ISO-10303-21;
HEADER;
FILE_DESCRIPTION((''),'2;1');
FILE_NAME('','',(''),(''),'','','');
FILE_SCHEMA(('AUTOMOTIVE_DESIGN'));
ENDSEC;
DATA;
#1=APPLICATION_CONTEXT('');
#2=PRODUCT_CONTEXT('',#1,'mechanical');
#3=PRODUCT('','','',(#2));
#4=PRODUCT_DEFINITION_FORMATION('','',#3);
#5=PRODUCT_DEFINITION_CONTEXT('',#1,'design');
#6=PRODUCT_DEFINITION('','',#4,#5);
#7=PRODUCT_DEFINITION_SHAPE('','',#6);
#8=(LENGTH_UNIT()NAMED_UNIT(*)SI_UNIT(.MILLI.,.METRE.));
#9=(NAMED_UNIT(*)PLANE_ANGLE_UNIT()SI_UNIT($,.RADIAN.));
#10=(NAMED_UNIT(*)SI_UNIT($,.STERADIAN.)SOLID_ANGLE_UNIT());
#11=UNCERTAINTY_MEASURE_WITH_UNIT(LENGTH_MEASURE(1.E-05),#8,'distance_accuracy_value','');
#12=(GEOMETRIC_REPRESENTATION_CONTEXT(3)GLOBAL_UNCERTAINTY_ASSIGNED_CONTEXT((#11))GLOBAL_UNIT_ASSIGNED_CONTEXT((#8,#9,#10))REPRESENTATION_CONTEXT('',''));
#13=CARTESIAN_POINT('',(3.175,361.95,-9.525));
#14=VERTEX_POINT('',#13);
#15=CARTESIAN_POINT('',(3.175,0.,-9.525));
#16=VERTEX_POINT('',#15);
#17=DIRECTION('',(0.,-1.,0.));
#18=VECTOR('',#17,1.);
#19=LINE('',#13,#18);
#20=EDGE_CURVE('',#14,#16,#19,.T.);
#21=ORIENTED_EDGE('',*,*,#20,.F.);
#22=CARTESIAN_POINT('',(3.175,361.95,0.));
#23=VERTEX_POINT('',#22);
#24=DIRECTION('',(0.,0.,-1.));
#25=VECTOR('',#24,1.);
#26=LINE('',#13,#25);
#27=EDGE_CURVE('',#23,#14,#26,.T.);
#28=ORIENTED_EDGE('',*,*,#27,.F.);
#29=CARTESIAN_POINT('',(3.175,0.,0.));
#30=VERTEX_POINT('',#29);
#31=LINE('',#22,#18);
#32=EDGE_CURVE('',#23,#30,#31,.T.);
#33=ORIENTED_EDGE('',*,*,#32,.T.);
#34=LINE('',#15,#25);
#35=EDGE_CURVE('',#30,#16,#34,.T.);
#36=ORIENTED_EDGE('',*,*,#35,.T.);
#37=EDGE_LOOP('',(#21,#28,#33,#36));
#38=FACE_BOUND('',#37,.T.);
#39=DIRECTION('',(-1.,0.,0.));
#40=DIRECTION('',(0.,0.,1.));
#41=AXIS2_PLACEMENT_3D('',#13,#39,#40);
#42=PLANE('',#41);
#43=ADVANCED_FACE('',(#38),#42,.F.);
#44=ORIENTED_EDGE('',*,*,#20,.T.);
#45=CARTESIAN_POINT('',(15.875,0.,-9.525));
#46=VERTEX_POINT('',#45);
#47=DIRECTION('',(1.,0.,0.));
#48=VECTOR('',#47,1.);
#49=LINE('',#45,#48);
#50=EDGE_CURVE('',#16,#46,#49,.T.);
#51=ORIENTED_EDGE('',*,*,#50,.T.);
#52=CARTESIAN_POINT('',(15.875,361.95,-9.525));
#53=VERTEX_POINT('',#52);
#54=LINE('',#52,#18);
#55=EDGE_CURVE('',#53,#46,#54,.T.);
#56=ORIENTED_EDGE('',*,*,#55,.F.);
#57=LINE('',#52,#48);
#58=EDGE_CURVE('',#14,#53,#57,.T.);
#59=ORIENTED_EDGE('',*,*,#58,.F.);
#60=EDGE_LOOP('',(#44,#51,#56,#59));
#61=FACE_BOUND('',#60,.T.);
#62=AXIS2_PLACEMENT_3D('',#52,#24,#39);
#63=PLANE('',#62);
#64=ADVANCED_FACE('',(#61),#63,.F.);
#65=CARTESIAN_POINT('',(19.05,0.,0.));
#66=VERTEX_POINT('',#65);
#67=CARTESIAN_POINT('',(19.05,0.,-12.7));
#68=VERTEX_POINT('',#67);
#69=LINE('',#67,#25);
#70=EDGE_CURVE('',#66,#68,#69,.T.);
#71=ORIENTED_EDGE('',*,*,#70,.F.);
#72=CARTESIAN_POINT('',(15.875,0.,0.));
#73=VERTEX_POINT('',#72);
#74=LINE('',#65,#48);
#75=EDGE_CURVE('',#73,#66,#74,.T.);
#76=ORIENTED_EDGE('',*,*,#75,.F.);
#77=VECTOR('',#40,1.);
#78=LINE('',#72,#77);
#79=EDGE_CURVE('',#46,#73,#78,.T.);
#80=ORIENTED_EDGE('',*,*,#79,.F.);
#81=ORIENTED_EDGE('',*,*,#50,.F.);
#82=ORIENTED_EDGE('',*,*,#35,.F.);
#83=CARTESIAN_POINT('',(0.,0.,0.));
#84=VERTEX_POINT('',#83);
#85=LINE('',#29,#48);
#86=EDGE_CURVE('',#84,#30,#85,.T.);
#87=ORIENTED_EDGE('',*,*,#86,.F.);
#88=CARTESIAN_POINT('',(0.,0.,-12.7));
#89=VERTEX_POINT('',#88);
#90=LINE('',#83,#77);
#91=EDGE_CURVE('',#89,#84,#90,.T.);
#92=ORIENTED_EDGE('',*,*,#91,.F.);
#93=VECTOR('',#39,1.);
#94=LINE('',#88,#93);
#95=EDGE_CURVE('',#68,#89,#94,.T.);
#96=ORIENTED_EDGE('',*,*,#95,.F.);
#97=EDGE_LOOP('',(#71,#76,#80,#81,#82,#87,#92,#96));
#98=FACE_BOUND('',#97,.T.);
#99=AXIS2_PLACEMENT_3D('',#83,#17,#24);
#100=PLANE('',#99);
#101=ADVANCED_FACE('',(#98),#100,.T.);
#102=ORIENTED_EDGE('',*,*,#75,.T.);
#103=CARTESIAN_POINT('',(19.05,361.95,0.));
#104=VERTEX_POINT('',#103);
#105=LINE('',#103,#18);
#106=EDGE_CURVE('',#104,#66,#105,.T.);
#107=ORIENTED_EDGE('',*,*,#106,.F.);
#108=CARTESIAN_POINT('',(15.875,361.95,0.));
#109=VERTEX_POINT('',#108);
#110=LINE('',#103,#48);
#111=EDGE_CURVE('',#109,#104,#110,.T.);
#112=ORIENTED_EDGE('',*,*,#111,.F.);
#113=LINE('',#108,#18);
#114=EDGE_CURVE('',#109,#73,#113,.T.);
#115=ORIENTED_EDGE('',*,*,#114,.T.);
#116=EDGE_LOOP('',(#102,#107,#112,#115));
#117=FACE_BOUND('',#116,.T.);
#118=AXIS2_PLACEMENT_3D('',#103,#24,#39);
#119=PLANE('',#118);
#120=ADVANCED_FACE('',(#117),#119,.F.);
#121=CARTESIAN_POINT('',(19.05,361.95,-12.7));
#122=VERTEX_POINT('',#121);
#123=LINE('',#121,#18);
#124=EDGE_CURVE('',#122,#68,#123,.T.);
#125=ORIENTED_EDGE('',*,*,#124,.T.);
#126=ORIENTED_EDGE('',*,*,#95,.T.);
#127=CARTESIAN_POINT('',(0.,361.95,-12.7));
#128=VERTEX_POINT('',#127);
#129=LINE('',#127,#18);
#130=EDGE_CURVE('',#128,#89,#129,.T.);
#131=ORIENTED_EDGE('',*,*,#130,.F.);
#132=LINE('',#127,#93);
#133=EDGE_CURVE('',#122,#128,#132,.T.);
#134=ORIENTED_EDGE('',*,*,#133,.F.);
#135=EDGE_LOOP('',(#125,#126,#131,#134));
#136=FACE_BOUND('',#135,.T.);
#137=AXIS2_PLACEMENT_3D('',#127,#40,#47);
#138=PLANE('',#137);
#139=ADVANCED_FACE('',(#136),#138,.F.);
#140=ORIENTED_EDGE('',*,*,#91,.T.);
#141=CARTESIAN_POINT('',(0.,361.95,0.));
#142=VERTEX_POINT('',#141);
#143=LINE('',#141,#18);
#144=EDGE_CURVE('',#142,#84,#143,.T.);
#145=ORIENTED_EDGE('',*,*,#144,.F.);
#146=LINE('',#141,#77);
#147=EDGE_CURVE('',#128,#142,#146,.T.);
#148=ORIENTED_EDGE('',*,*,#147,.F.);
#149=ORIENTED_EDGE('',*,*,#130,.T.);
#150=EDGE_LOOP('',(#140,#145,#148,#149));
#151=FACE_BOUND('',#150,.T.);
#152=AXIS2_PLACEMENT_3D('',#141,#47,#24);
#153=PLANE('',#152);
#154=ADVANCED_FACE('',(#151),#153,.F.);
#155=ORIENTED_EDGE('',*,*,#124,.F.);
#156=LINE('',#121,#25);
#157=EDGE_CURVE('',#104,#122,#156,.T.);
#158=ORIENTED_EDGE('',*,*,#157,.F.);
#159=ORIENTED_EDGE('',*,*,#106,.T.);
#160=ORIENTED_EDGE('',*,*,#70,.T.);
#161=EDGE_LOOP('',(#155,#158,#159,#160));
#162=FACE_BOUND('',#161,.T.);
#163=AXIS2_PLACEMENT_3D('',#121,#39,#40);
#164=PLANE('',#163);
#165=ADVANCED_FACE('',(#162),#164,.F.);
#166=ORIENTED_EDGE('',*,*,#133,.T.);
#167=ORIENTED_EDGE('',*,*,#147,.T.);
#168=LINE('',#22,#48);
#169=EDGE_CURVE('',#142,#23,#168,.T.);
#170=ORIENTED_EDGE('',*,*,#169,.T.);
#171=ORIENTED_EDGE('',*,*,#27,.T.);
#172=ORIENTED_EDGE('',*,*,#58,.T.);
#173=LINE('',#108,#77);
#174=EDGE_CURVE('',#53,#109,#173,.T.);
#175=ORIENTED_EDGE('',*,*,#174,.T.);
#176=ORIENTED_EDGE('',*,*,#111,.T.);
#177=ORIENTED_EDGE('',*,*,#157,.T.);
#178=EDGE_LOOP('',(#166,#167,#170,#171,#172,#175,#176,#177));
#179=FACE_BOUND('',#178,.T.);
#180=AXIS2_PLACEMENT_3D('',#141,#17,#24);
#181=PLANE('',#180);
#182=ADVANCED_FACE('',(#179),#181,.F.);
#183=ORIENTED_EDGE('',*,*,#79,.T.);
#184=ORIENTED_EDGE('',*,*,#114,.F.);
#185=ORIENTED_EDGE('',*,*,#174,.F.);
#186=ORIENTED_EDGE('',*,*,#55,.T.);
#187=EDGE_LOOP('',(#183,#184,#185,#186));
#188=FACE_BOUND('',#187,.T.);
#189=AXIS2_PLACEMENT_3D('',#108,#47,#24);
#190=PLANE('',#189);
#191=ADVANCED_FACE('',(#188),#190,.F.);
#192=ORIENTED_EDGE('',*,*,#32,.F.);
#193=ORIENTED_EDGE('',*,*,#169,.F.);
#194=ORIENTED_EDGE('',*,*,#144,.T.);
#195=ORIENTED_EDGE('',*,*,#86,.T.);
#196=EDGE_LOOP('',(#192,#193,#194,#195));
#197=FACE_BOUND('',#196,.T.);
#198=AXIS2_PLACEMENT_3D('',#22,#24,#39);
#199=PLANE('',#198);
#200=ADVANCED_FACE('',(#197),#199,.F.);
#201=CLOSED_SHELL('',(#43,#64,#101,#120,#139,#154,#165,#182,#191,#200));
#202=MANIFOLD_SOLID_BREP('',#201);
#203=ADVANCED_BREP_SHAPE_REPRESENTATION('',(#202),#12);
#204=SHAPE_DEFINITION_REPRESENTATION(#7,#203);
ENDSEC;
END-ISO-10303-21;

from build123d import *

# Parameters (mm, degrees)
BOSS_EXTRUDE1_DEPTH = 361.95


with BuildPart() as part:
    # Sketch1 → Boss-Extrude1 (new body)
    with BuildSketch(Plane(origin=(0, 0, 0), x_dir=(1, 0, 0), z_dir=(0, 1, 0))):
        Polygon((0, 0), (0, 12.7), (19.05, 12.7), (19.05, 0), (15.875, 0), (15.875, 9.525), (3.175, 9.525), (3.175, 0), align=None)
    extrude(amount=BOSS_EXTRUDE1_DEPTH)


solid = part.part
